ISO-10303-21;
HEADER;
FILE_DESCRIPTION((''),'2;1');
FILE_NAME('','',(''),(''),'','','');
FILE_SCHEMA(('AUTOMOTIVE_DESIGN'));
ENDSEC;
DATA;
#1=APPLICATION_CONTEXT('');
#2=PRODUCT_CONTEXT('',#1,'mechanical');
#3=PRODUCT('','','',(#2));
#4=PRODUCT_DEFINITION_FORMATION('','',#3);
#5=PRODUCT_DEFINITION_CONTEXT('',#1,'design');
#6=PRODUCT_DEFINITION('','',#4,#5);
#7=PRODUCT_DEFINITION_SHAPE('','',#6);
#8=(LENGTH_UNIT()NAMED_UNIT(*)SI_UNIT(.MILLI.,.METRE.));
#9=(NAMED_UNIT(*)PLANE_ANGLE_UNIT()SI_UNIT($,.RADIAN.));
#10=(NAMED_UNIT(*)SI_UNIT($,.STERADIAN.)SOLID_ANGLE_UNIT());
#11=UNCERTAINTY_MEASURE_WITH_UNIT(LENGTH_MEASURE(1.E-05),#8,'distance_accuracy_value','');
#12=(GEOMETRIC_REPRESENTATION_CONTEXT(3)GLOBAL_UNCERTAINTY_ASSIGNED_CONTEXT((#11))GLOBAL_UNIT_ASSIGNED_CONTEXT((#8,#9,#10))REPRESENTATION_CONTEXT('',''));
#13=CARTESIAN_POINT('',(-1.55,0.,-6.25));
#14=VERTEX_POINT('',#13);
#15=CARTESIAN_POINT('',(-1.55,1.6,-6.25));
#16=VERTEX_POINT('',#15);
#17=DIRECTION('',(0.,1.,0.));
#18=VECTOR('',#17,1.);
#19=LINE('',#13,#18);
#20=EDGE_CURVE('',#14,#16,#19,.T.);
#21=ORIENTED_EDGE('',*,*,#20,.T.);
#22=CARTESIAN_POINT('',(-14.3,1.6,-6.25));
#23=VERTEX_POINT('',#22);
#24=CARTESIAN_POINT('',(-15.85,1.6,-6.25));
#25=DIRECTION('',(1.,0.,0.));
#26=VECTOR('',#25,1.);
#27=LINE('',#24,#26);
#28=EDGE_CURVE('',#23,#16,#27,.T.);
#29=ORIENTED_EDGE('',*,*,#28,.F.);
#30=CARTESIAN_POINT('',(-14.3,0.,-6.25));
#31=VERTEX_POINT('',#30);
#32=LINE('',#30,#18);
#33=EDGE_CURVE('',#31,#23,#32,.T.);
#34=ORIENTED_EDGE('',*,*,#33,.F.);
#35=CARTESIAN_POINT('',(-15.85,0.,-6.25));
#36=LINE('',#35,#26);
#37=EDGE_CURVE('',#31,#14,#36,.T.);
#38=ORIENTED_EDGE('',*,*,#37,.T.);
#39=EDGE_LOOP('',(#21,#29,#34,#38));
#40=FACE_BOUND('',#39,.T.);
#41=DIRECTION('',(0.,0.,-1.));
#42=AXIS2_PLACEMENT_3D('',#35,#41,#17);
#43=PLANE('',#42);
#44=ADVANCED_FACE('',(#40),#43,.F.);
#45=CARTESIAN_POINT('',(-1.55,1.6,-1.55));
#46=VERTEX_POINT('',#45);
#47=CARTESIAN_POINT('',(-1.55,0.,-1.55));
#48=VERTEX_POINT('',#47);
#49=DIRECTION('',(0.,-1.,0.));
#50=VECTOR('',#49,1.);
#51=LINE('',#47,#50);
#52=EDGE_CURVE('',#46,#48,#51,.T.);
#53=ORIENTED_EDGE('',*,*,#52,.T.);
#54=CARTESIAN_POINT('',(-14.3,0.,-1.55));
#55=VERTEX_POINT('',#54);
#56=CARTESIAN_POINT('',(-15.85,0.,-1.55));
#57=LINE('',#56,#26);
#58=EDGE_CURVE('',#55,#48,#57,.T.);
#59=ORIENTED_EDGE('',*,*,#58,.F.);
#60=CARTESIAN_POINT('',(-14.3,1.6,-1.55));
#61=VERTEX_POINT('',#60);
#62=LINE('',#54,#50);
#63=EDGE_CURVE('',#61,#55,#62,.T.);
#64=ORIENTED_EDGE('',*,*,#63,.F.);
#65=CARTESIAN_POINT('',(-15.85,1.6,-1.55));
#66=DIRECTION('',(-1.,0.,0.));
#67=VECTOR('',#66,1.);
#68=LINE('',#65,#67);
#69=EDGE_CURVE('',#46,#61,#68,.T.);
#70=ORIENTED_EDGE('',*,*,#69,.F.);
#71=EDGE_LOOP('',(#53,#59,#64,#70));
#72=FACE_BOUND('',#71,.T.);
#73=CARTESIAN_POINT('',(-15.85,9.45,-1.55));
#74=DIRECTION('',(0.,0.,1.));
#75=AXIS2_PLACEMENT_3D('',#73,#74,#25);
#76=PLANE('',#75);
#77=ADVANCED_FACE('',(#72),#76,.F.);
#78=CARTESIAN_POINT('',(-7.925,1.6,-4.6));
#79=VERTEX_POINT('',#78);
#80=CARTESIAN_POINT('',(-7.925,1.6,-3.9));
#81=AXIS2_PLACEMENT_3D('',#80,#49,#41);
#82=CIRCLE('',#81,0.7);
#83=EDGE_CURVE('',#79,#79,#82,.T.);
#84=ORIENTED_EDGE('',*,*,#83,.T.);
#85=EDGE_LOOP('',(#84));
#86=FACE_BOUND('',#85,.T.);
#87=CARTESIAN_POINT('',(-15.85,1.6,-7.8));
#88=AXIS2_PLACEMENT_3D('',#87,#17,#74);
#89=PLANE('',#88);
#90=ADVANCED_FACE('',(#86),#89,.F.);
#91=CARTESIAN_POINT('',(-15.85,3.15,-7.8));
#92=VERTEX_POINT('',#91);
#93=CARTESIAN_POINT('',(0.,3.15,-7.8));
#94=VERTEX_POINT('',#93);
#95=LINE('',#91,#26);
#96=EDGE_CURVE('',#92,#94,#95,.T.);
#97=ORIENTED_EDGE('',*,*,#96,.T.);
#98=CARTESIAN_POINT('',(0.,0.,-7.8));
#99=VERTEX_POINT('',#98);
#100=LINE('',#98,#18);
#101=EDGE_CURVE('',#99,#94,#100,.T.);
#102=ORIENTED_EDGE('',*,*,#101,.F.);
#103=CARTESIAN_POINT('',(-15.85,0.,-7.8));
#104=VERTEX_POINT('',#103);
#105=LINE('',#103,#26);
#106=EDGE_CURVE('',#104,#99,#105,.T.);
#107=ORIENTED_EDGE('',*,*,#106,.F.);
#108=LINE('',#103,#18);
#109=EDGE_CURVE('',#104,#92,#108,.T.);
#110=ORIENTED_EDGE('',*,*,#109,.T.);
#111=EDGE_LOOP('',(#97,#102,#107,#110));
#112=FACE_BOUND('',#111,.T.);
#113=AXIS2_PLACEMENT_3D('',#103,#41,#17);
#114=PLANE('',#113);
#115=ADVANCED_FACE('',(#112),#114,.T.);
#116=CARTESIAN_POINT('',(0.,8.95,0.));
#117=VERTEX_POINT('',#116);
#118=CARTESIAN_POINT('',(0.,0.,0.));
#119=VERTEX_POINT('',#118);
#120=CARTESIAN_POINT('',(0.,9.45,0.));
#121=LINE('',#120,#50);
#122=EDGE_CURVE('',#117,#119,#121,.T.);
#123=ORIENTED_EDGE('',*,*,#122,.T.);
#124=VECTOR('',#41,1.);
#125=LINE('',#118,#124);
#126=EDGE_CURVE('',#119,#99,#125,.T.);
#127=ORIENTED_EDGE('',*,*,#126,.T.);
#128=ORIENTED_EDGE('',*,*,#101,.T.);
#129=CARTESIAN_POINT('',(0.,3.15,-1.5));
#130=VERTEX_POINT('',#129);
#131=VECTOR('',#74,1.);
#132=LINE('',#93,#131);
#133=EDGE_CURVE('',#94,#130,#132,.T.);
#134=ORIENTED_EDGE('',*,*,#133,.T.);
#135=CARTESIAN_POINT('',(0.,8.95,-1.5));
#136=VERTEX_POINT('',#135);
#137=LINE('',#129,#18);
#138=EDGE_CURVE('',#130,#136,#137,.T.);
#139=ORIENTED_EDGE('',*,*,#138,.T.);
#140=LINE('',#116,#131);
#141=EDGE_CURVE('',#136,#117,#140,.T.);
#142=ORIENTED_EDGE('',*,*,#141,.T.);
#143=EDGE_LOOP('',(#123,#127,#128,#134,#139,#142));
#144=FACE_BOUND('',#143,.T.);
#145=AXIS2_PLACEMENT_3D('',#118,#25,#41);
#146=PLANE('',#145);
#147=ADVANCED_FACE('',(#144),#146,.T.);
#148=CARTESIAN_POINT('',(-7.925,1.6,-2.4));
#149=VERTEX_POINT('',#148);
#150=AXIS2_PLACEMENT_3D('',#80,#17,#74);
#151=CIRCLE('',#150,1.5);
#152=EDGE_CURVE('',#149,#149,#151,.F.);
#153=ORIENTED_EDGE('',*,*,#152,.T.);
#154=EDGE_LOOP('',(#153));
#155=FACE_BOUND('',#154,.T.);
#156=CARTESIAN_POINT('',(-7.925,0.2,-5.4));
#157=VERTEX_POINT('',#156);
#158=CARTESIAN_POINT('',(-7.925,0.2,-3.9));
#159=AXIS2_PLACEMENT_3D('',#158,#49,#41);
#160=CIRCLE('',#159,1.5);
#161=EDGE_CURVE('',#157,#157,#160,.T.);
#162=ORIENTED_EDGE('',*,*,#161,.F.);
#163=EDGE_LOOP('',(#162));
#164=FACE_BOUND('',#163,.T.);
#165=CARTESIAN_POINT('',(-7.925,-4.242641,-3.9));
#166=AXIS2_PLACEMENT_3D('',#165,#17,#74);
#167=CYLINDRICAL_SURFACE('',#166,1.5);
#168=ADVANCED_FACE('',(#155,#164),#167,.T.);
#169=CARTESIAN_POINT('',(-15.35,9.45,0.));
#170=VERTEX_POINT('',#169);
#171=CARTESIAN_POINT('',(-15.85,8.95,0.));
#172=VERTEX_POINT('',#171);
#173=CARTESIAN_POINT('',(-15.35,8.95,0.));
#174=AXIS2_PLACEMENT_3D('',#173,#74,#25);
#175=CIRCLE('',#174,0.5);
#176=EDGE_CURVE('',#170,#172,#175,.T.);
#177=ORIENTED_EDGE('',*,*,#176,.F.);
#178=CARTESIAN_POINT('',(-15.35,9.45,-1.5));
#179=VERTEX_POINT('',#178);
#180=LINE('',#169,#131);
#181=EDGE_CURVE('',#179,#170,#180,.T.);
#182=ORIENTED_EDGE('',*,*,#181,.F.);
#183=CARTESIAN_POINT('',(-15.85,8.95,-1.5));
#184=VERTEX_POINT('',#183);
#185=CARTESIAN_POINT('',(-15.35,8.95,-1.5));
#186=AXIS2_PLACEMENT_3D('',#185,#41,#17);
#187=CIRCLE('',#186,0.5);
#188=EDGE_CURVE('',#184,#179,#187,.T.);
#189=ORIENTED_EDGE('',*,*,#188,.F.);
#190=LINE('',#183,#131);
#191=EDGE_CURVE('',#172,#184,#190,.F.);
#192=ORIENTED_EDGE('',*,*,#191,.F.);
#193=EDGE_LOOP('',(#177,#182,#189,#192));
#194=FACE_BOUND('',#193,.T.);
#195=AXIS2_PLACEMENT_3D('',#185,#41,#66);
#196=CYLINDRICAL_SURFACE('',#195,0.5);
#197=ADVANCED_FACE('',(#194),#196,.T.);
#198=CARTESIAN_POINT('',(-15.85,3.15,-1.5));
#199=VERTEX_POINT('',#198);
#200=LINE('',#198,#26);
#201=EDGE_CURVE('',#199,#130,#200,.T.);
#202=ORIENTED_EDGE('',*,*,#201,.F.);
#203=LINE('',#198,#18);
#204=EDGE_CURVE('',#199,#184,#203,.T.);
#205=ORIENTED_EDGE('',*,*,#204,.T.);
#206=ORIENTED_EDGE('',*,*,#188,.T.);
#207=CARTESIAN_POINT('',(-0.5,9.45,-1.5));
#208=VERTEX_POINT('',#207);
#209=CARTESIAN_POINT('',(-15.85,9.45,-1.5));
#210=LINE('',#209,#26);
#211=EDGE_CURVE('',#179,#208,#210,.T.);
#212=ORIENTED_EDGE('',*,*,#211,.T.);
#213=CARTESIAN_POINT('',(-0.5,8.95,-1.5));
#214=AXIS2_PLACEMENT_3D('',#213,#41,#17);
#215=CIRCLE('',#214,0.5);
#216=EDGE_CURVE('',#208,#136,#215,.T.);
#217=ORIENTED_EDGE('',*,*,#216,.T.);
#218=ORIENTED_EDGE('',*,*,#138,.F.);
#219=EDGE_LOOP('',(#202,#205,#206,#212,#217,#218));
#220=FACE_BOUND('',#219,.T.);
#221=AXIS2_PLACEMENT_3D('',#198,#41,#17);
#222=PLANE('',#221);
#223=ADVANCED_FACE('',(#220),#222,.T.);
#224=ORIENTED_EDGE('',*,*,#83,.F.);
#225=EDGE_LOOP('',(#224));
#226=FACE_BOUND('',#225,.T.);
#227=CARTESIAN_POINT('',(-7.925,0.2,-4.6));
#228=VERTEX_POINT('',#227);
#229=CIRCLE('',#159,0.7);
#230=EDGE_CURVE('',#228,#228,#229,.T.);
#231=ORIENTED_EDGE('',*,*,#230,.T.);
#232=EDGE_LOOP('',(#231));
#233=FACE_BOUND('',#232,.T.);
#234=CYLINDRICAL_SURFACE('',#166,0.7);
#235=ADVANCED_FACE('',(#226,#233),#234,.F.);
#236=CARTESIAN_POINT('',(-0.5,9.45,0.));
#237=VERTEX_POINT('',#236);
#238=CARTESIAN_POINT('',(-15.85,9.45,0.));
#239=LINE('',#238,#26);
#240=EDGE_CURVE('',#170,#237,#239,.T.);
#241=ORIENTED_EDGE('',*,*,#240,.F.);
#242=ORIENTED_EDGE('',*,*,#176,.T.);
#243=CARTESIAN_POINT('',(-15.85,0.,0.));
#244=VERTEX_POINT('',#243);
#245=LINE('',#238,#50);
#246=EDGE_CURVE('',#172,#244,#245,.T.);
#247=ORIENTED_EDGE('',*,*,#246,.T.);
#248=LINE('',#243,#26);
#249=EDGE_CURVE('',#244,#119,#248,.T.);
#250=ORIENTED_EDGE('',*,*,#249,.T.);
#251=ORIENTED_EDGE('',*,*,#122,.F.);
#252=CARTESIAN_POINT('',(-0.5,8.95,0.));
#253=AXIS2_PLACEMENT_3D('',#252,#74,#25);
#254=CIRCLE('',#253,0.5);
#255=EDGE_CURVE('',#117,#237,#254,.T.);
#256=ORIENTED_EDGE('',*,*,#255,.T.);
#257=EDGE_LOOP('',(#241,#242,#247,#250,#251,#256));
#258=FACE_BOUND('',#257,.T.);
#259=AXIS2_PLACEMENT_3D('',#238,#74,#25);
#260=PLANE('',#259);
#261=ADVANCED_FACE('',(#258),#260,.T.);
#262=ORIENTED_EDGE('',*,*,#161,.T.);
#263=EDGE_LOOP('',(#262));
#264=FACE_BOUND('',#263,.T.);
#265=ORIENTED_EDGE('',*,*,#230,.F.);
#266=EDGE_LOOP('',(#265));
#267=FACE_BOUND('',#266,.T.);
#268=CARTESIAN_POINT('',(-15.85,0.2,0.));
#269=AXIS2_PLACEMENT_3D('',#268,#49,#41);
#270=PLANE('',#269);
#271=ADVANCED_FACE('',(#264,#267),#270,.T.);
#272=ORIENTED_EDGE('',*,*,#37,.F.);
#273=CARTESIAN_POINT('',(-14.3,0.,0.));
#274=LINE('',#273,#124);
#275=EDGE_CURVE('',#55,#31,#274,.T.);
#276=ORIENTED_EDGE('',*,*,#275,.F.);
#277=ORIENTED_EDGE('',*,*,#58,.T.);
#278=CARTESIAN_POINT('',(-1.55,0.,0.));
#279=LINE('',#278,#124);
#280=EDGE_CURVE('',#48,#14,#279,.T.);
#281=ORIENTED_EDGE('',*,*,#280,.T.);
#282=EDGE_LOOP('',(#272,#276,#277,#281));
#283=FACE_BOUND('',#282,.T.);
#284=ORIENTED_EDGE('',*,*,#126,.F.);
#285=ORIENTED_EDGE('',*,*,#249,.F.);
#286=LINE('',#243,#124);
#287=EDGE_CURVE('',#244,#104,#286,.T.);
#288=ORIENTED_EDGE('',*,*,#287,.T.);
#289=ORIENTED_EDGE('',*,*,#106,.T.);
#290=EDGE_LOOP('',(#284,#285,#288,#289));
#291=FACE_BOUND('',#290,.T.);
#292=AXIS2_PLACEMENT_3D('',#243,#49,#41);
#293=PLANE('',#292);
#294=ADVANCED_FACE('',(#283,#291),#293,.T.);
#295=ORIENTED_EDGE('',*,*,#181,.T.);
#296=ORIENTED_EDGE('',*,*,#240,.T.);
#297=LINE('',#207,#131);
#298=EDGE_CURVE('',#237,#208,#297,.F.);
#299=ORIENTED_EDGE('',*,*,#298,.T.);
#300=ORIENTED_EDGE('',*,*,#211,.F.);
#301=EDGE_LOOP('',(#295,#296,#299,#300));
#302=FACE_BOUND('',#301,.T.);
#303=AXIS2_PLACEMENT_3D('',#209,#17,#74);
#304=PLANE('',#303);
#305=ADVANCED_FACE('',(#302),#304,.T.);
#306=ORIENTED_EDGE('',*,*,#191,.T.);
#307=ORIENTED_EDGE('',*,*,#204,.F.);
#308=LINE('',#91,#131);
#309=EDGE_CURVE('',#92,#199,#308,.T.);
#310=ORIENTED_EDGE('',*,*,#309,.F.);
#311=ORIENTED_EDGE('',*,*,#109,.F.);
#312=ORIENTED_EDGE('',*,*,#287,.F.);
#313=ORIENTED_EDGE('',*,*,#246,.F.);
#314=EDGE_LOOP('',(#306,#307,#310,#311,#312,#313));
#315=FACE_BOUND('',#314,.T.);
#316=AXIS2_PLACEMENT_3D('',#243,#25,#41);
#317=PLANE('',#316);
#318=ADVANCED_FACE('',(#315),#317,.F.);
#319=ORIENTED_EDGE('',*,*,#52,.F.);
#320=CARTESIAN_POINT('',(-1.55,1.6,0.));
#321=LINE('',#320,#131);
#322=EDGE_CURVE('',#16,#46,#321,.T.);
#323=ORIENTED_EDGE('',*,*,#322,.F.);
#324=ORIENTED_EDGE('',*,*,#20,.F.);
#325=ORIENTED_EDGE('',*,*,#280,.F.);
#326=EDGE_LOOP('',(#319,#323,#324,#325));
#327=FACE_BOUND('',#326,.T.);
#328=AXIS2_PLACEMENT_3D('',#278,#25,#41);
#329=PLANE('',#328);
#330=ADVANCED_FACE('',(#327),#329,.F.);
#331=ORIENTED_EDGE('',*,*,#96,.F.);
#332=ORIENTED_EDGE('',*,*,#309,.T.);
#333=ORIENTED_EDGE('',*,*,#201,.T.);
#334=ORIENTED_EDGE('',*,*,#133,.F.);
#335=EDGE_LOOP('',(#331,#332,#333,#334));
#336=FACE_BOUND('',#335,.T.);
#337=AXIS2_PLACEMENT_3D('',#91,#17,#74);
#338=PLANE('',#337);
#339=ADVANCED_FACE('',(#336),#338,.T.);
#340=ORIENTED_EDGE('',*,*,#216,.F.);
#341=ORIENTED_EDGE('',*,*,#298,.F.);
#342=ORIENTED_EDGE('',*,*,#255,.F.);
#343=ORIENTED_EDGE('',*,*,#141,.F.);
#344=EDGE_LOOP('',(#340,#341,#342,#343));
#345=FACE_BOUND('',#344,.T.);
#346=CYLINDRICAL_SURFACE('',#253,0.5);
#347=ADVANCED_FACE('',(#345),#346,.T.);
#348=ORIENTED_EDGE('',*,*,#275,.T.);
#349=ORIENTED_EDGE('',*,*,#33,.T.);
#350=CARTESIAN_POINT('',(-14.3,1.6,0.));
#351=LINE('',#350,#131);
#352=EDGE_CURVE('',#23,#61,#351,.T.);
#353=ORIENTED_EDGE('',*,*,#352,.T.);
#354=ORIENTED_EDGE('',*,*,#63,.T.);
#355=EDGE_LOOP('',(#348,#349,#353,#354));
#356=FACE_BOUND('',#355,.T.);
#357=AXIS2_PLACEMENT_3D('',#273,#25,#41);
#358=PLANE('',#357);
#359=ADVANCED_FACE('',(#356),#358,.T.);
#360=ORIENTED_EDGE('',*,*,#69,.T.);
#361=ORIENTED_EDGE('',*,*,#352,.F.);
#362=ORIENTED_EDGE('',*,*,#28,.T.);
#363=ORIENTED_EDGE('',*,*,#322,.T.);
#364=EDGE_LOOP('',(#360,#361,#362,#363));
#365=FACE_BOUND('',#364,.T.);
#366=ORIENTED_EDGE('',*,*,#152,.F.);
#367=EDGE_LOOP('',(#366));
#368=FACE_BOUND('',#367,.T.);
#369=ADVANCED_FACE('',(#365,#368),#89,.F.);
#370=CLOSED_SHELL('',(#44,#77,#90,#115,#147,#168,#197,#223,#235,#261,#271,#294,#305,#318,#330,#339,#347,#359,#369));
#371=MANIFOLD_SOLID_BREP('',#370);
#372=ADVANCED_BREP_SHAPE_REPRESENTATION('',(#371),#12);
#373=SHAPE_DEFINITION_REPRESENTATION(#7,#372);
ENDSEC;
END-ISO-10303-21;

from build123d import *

# Parameters (mm, degrees)
BOSS_EXTRUDE1_DEPTH = 15.85
SHELL1_T            = -1.55
SKETCH2_R           = 1.5
SKETCH2_R_2         = 0.7
BOSS_EXTRUDE2_DEPTH = 1.4
FILLET1_R           = 0.5


with BuildPart() as part:
    # Sketch1 → Boss-Extrude1 (new body)
    with BuildSketch(Plane(origin=(0, 0, 0), x_dir=(0, 0, -1), z_dir=(1, 0, 0))):
        Polygon((0, 0), (7.8, 0), (7.8, 3.15), (1.5, 3.15), (1.5, 9.45), (0, 9.45), align=None)
    extrude(amount=-BOSS_EXTRUDE1_DEPTH)

    # Shell1
    shell1_openings = [part.faces().sort_by_distance(p)[0] for p in [
        (-7.925, 0, -3.9),
    ]]
    offset(amount=SHELL1_T, openings=shell1_openings, kind=Kind.INTERSECTION)

    # Sketch2 → Boss-Extrude2 (add)
    with BuildSketch(Plane.XZ.offset(-1.6)):
        with Locations(Location((-7.925, -3.9, 0), (0, 0, 90))):
            Circle(SKETCH2_R)
        with Locations(Location((-7.925, -3.9, 0), (0, 0, 270))):
            Circle(SKETCH2_R_2, mode=Mode.SUBTRACT)
    extrude(amount=BOSS_EXTRUDE2_DEPTH)

    # Fillet1
    fillet1_edges = [part.edges().sort_by_distance(p)[0] for p in [
        (-15.85, 9.45, -0.75),
        (0, 9.45, -0.75),
    ]]
    fillet(fillet1_edges, radius=FILLET1_R)


solid = part.part
